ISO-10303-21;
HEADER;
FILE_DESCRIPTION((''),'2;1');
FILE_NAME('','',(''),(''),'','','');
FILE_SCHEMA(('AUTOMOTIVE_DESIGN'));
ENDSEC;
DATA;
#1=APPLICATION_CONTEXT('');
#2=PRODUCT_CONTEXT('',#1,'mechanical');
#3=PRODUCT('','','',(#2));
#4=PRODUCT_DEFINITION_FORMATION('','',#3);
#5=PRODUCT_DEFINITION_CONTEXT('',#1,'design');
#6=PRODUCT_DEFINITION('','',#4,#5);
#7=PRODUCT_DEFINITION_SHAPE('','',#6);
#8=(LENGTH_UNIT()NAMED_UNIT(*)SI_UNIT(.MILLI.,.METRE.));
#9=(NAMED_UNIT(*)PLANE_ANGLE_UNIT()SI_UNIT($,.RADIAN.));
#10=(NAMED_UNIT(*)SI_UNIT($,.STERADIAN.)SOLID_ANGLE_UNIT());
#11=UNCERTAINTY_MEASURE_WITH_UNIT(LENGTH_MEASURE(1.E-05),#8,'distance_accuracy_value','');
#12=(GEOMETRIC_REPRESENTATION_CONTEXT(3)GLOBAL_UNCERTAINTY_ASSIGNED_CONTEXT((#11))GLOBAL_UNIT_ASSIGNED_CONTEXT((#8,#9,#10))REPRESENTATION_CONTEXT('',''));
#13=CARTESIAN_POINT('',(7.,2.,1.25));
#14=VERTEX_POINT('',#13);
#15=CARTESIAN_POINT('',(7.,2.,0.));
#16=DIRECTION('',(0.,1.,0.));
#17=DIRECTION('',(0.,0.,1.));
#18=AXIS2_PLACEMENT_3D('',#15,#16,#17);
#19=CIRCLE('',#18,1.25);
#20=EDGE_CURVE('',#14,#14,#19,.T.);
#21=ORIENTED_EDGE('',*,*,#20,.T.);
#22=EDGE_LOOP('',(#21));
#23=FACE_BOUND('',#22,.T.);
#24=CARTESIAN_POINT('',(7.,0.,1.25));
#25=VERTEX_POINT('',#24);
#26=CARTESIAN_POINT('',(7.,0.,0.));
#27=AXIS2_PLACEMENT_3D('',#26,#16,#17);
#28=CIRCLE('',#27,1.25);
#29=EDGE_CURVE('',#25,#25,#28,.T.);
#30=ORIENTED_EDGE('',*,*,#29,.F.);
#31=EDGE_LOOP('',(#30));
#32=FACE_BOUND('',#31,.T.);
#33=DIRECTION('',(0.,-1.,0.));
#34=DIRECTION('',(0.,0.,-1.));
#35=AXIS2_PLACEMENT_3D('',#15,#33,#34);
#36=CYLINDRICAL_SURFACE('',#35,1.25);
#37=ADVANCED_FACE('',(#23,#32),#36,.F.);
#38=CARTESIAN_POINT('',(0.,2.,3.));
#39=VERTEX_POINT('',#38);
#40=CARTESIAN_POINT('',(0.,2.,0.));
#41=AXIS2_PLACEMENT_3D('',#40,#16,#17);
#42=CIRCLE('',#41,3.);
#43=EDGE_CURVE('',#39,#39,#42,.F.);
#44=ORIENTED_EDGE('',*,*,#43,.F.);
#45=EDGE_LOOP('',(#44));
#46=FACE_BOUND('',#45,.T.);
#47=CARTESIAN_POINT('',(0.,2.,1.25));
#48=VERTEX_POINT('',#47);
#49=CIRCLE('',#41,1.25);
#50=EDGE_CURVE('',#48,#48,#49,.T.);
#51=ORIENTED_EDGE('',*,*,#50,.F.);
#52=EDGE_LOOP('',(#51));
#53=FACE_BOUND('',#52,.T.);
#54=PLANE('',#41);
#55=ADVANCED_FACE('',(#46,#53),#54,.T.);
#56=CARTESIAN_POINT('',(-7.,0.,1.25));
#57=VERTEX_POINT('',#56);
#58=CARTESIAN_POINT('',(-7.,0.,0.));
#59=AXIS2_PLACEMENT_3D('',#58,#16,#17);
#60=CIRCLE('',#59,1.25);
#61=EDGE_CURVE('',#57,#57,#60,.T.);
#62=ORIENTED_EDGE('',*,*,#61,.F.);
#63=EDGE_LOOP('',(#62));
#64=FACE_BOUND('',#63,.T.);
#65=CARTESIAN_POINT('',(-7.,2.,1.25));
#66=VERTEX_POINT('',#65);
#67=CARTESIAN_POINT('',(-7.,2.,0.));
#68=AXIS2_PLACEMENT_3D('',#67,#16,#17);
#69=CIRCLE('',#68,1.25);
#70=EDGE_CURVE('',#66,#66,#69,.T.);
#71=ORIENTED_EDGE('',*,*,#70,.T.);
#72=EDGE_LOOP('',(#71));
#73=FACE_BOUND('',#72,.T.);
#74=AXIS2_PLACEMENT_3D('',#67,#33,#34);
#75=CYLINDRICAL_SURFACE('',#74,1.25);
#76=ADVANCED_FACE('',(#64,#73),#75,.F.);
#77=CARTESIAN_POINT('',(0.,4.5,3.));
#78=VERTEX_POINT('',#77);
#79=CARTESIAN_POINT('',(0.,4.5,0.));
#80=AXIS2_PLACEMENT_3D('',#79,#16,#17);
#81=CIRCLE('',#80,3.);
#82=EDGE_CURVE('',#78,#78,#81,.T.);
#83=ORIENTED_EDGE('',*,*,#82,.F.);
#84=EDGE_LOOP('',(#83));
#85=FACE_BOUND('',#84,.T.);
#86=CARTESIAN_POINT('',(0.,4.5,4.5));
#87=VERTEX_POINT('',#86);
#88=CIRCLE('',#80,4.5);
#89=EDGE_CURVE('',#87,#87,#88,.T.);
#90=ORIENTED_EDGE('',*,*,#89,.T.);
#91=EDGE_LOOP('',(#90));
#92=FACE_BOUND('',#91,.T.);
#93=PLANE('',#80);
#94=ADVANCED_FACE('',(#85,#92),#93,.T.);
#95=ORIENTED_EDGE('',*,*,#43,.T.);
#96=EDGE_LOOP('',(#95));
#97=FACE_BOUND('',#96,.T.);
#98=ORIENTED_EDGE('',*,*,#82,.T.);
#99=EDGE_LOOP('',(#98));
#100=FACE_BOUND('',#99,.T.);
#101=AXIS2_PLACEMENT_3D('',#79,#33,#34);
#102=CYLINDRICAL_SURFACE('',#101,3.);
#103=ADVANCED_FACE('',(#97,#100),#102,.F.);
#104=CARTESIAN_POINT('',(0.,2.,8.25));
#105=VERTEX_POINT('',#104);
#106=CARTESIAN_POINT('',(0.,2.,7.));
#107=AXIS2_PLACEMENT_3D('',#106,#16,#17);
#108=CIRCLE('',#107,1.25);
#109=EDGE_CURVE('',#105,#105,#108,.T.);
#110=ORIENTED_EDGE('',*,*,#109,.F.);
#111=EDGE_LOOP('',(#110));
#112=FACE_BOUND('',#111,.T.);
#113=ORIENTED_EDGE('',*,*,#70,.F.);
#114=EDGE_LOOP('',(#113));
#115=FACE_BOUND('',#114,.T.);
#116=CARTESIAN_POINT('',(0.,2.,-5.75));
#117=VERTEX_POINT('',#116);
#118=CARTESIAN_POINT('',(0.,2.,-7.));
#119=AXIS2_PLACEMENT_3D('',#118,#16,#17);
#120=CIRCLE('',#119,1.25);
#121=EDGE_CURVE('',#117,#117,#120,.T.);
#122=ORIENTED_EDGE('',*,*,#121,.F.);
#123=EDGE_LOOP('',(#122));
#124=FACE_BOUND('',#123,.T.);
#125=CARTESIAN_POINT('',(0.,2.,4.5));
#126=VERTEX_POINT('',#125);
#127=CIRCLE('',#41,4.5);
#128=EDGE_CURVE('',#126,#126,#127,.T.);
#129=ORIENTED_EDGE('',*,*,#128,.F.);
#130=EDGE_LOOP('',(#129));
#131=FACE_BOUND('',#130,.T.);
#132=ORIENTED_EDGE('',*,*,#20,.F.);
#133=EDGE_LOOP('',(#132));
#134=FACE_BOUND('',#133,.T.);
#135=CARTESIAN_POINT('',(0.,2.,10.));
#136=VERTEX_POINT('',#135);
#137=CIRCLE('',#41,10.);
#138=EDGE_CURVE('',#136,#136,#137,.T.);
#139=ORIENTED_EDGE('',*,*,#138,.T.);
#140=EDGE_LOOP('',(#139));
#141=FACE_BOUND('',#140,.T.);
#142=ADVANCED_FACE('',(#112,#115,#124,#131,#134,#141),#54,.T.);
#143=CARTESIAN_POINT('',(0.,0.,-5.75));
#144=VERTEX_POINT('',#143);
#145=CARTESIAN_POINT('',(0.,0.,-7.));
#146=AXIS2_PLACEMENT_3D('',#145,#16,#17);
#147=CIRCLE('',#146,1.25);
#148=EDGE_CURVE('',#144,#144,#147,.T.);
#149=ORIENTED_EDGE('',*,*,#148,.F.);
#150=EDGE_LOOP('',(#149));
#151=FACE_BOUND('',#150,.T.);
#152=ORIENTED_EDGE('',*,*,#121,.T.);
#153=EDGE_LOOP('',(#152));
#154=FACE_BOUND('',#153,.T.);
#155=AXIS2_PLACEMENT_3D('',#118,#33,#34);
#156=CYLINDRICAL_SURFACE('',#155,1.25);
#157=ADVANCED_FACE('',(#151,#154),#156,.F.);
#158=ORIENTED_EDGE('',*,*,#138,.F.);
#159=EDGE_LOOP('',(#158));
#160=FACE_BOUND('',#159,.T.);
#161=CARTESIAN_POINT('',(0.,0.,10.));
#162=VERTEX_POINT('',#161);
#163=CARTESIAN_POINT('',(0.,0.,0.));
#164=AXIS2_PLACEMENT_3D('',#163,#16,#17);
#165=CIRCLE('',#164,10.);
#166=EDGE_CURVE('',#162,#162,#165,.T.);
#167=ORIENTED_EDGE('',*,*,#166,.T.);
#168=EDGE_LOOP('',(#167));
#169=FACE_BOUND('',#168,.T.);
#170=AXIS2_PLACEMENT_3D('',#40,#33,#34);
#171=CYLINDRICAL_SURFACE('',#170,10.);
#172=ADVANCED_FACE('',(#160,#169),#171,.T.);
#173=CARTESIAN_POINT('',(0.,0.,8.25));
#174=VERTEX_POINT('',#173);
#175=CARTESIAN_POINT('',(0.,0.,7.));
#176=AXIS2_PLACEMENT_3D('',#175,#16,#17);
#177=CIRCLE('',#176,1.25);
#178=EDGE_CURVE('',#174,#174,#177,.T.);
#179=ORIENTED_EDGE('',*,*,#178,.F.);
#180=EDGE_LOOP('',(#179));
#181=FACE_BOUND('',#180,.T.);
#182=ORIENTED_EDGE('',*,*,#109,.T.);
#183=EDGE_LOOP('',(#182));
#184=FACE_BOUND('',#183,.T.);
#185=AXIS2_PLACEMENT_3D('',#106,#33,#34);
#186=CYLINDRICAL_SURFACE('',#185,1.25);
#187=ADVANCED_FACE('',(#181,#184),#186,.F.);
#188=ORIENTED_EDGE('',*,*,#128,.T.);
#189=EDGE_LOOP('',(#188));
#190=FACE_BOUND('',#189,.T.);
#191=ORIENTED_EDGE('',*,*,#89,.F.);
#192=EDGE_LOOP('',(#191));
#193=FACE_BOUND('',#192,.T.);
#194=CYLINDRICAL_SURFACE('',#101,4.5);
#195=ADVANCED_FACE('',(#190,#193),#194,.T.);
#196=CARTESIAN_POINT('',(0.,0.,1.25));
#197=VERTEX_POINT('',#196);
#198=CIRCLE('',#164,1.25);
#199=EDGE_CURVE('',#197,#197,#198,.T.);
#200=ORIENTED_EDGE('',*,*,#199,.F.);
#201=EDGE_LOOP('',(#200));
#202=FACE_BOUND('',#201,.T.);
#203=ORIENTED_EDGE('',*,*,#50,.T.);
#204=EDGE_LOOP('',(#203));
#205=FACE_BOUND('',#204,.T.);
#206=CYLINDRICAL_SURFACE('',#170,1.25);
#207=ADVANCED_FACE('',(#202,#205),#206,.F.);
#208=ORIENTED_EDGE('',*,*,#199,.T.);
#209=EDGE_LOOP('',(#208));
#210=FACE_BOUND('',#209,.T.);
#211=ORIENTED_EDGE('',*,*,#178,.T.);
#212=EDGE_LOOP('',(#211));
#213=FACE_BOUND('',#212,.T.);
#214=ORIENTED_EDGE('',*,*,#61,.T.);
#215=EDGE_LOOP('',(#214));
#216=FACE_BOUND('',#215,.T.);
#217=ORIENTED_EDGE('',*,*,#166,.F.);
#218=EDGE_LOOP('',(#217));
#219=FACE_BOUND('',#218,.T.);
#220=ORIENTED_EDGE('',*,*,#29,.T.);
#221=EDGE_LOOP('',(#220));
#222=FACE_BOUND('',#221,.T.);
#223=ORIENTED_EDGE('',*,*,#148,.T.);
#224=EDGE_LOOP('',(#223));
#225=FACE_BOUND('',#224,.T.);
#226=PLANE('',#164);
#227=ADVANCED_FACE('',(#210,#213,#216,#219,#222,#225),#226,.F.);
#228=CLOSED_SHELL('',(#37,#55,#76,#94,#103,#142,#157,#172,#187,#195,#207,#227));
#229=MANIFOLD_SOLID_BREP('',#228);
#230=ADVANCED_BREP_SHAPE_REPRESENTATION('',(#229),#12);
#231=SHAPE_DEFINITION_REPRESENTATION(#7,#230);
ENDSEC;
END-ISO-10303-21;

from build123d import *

# Parameters (mm, degrees)
SKETCH_1_R      = 10
SKETCH_1_R_2    = 1.25
EXTRUDE_1_DEPTH = 2
SKETCH_2_R      = 4.5
SKETCH_2_R_2    = 3
EXTRUDE_2_DEPTH = 2.5


with BuildPart() as part:
    # Эскиз1 → Бобышка-Вытянуть1 (new body)
    with BuildSketch(Plane(origin=(0, 0, 0), x_dir=(1, 0, 0), z_dir=(0, 1, 0))):
        with Locations(Location((0, 0, 0), (0, 0, 270))):
            Circle(SKETCH_1_R)
        with Locations(Location((7, 0, 0), (0, 0, 270))):
            Circle(SKETCH_1_R_2, mode=Mode.SUBTRACT)
        with Locations(Location((0, 0, 0), (0, 0, 270))):
            Circle(SKETCH_1_R_2, mode=Mode.SUBTRACT)
        with Locations(Location((0, -7, 0), (0, 0, 270))):
            Circle(SKETCH_1_R_2, mode=Mode.SUBTRACT)
        with Locations(Location((-7, 0, 0), (0, 0, 270))):
            Circle(SKETCH_1_R_2, mode=Mode.SUBTRACT)
        with Locations(Location((0, 7, 0), (0, 0, 270))):
            Circle(SKETCH_1_R_2, mode=Mode.SUBTRACT)
    extrude(amount=EXTRUDE_1_DEPTH)

    # Эскиз2 → Бобышка-Вытянуть2 (add)
    with BuildSketch(Plane(origin=(0, 2, 0), x_dir=(1, 0, 0), z_dir=(0, 1, 0))):
        with Locations(Location((0, 0, 0), (0, 0, 270))):
            Circle(SKETCH_2_R)
        with Locations(Location((0, 0, 0), (0, 0, 270))):
            Circle(SKETCH_2_R_2, mode=Mode.SUBTRACT)
    extrude(amount=EXTRUDE_2_DEPTH)


solid = part.part
